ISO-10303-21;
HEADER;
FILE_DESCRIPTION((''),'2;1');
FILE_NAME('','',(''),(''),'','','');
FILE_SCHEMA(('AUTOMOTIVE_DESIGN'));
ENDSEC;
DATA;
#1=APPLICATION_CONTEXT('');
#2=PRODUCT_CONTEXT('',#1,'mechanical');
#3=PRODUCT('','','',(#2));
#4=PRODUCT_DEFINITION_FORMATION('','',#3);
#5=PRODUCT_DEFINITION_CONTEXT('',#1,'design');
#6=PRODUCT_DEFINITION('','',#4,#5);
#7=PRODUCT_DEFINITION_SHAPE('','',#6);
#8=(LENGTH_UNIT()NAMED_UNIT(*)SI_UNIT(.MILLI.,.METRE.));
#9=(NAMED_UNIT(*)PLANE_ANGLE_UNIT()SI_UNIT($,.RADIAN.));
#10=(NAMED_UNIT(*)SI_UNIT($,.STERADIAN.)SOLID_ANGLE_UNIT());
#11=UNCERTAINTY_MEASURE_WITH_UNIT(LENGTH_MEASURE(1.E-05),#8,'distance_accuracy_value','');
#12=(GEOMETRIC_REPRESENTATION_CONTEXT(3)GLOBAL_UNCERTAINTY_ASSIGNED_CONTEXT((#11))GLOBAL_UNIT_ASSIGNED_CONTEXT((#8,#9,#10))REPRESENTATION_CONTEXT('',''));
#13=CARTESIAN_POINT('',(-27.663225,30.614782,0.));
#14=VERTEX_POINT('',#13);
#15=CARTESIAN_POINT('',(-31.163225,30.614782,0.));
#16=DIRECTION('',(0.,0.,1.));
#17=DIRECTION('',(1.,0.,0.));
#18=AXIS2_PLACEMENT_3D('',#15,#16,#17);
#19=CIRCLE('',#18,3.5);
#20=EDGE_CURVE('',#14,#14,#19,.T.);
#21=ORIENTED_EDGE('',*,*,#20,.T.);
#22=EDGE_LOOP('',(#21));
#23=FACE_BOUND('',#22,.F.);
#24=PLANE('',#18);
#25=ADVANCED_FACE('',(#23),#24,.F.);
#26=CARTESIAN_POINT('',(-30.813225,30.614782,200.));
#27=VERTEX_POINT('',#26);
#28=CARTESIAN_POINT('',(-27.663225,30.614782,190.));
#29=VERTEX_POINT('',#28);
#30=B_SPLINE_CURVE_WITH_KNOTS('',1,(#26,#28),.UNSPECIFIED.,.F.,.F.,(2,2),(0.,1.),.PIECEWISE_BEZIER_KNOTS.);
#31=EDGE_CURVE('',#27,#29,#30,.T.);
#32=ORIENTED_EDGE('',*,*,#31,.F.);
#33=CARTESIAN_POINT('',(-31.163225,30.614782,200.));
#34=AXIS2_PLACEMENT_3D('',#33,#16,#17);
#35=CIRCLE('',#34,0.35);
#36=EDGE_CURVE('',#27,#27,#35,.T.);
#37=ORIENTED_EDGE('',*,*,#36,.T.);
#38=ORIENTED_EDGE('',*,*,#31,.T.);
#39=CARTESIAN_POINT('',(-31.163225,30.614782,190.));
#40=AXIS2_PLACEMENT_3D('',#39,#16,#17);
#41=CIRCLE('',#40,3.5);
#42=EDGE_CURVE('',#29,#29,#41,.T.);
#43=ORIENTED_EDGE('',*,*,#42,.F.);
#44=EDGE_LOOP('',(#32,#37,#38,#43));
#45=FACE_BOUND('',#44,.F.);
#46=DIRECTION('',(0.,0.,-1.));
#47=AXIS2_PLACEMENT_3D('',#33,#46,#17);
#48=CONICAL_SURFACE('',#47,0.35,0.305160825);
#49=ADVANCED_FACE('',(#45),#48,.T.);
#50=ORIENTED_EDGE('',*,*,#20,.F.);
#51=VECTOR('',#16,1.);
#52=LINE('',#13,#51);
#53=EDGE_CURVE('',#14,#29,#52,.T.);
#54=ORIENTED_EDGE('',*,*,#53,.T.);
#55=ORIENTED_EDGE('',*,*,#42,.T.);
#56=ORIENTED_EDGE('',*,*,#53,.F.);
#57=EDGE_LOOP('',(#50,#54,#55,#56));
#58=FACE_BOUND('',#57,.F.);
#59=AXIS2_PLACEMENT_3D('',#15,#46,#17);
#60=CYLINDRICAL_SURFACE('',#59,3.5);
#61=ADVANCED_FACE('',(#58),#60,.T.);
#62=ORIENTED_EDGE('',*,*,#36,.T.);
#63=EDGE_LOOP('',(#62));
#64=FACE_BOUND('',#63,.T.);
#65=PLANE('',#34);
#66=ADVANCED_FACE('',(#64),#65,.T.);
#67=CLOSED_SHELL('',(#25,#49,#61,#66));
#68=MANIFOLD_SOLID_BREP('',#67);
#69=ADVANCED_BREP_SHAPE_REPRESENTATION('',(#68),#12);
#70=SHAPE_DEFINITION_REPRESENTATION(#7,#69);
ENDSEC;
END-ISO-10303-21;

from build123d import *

# Parameters (mm, degrees)
F0_R      = 3.5
F1_DEPTH  = 190
F3_R      = 0.35
F1_FACE_R = 3.5


with BuildPart() as f1:
    # F0 (on Top) → F1 (new body)
    with BuildSketch(Plane.XY):
        with Locations((-31.1632249504, 30.6147821248)):
            Circle(F0_R)
    extrude(amount=F1_DEPTH)

    # F3 (on offset) → F4 section 0
    with BuildSketch(Plane.XY.offset(200)):
        with Locations((-31.1632249504, 30.6147821248)):
            Circle(F3_R)
    # F1_face (on face) → F4 section 1
    with BuildSketch(Plane(origin=(-31.1632249504, 30.6147821248, 190), x_dir=(1, 0, 0), z_dir=(0, 0, 1))):
        Circle(F1_FACE_R)
    loft()


solid = f1.part
